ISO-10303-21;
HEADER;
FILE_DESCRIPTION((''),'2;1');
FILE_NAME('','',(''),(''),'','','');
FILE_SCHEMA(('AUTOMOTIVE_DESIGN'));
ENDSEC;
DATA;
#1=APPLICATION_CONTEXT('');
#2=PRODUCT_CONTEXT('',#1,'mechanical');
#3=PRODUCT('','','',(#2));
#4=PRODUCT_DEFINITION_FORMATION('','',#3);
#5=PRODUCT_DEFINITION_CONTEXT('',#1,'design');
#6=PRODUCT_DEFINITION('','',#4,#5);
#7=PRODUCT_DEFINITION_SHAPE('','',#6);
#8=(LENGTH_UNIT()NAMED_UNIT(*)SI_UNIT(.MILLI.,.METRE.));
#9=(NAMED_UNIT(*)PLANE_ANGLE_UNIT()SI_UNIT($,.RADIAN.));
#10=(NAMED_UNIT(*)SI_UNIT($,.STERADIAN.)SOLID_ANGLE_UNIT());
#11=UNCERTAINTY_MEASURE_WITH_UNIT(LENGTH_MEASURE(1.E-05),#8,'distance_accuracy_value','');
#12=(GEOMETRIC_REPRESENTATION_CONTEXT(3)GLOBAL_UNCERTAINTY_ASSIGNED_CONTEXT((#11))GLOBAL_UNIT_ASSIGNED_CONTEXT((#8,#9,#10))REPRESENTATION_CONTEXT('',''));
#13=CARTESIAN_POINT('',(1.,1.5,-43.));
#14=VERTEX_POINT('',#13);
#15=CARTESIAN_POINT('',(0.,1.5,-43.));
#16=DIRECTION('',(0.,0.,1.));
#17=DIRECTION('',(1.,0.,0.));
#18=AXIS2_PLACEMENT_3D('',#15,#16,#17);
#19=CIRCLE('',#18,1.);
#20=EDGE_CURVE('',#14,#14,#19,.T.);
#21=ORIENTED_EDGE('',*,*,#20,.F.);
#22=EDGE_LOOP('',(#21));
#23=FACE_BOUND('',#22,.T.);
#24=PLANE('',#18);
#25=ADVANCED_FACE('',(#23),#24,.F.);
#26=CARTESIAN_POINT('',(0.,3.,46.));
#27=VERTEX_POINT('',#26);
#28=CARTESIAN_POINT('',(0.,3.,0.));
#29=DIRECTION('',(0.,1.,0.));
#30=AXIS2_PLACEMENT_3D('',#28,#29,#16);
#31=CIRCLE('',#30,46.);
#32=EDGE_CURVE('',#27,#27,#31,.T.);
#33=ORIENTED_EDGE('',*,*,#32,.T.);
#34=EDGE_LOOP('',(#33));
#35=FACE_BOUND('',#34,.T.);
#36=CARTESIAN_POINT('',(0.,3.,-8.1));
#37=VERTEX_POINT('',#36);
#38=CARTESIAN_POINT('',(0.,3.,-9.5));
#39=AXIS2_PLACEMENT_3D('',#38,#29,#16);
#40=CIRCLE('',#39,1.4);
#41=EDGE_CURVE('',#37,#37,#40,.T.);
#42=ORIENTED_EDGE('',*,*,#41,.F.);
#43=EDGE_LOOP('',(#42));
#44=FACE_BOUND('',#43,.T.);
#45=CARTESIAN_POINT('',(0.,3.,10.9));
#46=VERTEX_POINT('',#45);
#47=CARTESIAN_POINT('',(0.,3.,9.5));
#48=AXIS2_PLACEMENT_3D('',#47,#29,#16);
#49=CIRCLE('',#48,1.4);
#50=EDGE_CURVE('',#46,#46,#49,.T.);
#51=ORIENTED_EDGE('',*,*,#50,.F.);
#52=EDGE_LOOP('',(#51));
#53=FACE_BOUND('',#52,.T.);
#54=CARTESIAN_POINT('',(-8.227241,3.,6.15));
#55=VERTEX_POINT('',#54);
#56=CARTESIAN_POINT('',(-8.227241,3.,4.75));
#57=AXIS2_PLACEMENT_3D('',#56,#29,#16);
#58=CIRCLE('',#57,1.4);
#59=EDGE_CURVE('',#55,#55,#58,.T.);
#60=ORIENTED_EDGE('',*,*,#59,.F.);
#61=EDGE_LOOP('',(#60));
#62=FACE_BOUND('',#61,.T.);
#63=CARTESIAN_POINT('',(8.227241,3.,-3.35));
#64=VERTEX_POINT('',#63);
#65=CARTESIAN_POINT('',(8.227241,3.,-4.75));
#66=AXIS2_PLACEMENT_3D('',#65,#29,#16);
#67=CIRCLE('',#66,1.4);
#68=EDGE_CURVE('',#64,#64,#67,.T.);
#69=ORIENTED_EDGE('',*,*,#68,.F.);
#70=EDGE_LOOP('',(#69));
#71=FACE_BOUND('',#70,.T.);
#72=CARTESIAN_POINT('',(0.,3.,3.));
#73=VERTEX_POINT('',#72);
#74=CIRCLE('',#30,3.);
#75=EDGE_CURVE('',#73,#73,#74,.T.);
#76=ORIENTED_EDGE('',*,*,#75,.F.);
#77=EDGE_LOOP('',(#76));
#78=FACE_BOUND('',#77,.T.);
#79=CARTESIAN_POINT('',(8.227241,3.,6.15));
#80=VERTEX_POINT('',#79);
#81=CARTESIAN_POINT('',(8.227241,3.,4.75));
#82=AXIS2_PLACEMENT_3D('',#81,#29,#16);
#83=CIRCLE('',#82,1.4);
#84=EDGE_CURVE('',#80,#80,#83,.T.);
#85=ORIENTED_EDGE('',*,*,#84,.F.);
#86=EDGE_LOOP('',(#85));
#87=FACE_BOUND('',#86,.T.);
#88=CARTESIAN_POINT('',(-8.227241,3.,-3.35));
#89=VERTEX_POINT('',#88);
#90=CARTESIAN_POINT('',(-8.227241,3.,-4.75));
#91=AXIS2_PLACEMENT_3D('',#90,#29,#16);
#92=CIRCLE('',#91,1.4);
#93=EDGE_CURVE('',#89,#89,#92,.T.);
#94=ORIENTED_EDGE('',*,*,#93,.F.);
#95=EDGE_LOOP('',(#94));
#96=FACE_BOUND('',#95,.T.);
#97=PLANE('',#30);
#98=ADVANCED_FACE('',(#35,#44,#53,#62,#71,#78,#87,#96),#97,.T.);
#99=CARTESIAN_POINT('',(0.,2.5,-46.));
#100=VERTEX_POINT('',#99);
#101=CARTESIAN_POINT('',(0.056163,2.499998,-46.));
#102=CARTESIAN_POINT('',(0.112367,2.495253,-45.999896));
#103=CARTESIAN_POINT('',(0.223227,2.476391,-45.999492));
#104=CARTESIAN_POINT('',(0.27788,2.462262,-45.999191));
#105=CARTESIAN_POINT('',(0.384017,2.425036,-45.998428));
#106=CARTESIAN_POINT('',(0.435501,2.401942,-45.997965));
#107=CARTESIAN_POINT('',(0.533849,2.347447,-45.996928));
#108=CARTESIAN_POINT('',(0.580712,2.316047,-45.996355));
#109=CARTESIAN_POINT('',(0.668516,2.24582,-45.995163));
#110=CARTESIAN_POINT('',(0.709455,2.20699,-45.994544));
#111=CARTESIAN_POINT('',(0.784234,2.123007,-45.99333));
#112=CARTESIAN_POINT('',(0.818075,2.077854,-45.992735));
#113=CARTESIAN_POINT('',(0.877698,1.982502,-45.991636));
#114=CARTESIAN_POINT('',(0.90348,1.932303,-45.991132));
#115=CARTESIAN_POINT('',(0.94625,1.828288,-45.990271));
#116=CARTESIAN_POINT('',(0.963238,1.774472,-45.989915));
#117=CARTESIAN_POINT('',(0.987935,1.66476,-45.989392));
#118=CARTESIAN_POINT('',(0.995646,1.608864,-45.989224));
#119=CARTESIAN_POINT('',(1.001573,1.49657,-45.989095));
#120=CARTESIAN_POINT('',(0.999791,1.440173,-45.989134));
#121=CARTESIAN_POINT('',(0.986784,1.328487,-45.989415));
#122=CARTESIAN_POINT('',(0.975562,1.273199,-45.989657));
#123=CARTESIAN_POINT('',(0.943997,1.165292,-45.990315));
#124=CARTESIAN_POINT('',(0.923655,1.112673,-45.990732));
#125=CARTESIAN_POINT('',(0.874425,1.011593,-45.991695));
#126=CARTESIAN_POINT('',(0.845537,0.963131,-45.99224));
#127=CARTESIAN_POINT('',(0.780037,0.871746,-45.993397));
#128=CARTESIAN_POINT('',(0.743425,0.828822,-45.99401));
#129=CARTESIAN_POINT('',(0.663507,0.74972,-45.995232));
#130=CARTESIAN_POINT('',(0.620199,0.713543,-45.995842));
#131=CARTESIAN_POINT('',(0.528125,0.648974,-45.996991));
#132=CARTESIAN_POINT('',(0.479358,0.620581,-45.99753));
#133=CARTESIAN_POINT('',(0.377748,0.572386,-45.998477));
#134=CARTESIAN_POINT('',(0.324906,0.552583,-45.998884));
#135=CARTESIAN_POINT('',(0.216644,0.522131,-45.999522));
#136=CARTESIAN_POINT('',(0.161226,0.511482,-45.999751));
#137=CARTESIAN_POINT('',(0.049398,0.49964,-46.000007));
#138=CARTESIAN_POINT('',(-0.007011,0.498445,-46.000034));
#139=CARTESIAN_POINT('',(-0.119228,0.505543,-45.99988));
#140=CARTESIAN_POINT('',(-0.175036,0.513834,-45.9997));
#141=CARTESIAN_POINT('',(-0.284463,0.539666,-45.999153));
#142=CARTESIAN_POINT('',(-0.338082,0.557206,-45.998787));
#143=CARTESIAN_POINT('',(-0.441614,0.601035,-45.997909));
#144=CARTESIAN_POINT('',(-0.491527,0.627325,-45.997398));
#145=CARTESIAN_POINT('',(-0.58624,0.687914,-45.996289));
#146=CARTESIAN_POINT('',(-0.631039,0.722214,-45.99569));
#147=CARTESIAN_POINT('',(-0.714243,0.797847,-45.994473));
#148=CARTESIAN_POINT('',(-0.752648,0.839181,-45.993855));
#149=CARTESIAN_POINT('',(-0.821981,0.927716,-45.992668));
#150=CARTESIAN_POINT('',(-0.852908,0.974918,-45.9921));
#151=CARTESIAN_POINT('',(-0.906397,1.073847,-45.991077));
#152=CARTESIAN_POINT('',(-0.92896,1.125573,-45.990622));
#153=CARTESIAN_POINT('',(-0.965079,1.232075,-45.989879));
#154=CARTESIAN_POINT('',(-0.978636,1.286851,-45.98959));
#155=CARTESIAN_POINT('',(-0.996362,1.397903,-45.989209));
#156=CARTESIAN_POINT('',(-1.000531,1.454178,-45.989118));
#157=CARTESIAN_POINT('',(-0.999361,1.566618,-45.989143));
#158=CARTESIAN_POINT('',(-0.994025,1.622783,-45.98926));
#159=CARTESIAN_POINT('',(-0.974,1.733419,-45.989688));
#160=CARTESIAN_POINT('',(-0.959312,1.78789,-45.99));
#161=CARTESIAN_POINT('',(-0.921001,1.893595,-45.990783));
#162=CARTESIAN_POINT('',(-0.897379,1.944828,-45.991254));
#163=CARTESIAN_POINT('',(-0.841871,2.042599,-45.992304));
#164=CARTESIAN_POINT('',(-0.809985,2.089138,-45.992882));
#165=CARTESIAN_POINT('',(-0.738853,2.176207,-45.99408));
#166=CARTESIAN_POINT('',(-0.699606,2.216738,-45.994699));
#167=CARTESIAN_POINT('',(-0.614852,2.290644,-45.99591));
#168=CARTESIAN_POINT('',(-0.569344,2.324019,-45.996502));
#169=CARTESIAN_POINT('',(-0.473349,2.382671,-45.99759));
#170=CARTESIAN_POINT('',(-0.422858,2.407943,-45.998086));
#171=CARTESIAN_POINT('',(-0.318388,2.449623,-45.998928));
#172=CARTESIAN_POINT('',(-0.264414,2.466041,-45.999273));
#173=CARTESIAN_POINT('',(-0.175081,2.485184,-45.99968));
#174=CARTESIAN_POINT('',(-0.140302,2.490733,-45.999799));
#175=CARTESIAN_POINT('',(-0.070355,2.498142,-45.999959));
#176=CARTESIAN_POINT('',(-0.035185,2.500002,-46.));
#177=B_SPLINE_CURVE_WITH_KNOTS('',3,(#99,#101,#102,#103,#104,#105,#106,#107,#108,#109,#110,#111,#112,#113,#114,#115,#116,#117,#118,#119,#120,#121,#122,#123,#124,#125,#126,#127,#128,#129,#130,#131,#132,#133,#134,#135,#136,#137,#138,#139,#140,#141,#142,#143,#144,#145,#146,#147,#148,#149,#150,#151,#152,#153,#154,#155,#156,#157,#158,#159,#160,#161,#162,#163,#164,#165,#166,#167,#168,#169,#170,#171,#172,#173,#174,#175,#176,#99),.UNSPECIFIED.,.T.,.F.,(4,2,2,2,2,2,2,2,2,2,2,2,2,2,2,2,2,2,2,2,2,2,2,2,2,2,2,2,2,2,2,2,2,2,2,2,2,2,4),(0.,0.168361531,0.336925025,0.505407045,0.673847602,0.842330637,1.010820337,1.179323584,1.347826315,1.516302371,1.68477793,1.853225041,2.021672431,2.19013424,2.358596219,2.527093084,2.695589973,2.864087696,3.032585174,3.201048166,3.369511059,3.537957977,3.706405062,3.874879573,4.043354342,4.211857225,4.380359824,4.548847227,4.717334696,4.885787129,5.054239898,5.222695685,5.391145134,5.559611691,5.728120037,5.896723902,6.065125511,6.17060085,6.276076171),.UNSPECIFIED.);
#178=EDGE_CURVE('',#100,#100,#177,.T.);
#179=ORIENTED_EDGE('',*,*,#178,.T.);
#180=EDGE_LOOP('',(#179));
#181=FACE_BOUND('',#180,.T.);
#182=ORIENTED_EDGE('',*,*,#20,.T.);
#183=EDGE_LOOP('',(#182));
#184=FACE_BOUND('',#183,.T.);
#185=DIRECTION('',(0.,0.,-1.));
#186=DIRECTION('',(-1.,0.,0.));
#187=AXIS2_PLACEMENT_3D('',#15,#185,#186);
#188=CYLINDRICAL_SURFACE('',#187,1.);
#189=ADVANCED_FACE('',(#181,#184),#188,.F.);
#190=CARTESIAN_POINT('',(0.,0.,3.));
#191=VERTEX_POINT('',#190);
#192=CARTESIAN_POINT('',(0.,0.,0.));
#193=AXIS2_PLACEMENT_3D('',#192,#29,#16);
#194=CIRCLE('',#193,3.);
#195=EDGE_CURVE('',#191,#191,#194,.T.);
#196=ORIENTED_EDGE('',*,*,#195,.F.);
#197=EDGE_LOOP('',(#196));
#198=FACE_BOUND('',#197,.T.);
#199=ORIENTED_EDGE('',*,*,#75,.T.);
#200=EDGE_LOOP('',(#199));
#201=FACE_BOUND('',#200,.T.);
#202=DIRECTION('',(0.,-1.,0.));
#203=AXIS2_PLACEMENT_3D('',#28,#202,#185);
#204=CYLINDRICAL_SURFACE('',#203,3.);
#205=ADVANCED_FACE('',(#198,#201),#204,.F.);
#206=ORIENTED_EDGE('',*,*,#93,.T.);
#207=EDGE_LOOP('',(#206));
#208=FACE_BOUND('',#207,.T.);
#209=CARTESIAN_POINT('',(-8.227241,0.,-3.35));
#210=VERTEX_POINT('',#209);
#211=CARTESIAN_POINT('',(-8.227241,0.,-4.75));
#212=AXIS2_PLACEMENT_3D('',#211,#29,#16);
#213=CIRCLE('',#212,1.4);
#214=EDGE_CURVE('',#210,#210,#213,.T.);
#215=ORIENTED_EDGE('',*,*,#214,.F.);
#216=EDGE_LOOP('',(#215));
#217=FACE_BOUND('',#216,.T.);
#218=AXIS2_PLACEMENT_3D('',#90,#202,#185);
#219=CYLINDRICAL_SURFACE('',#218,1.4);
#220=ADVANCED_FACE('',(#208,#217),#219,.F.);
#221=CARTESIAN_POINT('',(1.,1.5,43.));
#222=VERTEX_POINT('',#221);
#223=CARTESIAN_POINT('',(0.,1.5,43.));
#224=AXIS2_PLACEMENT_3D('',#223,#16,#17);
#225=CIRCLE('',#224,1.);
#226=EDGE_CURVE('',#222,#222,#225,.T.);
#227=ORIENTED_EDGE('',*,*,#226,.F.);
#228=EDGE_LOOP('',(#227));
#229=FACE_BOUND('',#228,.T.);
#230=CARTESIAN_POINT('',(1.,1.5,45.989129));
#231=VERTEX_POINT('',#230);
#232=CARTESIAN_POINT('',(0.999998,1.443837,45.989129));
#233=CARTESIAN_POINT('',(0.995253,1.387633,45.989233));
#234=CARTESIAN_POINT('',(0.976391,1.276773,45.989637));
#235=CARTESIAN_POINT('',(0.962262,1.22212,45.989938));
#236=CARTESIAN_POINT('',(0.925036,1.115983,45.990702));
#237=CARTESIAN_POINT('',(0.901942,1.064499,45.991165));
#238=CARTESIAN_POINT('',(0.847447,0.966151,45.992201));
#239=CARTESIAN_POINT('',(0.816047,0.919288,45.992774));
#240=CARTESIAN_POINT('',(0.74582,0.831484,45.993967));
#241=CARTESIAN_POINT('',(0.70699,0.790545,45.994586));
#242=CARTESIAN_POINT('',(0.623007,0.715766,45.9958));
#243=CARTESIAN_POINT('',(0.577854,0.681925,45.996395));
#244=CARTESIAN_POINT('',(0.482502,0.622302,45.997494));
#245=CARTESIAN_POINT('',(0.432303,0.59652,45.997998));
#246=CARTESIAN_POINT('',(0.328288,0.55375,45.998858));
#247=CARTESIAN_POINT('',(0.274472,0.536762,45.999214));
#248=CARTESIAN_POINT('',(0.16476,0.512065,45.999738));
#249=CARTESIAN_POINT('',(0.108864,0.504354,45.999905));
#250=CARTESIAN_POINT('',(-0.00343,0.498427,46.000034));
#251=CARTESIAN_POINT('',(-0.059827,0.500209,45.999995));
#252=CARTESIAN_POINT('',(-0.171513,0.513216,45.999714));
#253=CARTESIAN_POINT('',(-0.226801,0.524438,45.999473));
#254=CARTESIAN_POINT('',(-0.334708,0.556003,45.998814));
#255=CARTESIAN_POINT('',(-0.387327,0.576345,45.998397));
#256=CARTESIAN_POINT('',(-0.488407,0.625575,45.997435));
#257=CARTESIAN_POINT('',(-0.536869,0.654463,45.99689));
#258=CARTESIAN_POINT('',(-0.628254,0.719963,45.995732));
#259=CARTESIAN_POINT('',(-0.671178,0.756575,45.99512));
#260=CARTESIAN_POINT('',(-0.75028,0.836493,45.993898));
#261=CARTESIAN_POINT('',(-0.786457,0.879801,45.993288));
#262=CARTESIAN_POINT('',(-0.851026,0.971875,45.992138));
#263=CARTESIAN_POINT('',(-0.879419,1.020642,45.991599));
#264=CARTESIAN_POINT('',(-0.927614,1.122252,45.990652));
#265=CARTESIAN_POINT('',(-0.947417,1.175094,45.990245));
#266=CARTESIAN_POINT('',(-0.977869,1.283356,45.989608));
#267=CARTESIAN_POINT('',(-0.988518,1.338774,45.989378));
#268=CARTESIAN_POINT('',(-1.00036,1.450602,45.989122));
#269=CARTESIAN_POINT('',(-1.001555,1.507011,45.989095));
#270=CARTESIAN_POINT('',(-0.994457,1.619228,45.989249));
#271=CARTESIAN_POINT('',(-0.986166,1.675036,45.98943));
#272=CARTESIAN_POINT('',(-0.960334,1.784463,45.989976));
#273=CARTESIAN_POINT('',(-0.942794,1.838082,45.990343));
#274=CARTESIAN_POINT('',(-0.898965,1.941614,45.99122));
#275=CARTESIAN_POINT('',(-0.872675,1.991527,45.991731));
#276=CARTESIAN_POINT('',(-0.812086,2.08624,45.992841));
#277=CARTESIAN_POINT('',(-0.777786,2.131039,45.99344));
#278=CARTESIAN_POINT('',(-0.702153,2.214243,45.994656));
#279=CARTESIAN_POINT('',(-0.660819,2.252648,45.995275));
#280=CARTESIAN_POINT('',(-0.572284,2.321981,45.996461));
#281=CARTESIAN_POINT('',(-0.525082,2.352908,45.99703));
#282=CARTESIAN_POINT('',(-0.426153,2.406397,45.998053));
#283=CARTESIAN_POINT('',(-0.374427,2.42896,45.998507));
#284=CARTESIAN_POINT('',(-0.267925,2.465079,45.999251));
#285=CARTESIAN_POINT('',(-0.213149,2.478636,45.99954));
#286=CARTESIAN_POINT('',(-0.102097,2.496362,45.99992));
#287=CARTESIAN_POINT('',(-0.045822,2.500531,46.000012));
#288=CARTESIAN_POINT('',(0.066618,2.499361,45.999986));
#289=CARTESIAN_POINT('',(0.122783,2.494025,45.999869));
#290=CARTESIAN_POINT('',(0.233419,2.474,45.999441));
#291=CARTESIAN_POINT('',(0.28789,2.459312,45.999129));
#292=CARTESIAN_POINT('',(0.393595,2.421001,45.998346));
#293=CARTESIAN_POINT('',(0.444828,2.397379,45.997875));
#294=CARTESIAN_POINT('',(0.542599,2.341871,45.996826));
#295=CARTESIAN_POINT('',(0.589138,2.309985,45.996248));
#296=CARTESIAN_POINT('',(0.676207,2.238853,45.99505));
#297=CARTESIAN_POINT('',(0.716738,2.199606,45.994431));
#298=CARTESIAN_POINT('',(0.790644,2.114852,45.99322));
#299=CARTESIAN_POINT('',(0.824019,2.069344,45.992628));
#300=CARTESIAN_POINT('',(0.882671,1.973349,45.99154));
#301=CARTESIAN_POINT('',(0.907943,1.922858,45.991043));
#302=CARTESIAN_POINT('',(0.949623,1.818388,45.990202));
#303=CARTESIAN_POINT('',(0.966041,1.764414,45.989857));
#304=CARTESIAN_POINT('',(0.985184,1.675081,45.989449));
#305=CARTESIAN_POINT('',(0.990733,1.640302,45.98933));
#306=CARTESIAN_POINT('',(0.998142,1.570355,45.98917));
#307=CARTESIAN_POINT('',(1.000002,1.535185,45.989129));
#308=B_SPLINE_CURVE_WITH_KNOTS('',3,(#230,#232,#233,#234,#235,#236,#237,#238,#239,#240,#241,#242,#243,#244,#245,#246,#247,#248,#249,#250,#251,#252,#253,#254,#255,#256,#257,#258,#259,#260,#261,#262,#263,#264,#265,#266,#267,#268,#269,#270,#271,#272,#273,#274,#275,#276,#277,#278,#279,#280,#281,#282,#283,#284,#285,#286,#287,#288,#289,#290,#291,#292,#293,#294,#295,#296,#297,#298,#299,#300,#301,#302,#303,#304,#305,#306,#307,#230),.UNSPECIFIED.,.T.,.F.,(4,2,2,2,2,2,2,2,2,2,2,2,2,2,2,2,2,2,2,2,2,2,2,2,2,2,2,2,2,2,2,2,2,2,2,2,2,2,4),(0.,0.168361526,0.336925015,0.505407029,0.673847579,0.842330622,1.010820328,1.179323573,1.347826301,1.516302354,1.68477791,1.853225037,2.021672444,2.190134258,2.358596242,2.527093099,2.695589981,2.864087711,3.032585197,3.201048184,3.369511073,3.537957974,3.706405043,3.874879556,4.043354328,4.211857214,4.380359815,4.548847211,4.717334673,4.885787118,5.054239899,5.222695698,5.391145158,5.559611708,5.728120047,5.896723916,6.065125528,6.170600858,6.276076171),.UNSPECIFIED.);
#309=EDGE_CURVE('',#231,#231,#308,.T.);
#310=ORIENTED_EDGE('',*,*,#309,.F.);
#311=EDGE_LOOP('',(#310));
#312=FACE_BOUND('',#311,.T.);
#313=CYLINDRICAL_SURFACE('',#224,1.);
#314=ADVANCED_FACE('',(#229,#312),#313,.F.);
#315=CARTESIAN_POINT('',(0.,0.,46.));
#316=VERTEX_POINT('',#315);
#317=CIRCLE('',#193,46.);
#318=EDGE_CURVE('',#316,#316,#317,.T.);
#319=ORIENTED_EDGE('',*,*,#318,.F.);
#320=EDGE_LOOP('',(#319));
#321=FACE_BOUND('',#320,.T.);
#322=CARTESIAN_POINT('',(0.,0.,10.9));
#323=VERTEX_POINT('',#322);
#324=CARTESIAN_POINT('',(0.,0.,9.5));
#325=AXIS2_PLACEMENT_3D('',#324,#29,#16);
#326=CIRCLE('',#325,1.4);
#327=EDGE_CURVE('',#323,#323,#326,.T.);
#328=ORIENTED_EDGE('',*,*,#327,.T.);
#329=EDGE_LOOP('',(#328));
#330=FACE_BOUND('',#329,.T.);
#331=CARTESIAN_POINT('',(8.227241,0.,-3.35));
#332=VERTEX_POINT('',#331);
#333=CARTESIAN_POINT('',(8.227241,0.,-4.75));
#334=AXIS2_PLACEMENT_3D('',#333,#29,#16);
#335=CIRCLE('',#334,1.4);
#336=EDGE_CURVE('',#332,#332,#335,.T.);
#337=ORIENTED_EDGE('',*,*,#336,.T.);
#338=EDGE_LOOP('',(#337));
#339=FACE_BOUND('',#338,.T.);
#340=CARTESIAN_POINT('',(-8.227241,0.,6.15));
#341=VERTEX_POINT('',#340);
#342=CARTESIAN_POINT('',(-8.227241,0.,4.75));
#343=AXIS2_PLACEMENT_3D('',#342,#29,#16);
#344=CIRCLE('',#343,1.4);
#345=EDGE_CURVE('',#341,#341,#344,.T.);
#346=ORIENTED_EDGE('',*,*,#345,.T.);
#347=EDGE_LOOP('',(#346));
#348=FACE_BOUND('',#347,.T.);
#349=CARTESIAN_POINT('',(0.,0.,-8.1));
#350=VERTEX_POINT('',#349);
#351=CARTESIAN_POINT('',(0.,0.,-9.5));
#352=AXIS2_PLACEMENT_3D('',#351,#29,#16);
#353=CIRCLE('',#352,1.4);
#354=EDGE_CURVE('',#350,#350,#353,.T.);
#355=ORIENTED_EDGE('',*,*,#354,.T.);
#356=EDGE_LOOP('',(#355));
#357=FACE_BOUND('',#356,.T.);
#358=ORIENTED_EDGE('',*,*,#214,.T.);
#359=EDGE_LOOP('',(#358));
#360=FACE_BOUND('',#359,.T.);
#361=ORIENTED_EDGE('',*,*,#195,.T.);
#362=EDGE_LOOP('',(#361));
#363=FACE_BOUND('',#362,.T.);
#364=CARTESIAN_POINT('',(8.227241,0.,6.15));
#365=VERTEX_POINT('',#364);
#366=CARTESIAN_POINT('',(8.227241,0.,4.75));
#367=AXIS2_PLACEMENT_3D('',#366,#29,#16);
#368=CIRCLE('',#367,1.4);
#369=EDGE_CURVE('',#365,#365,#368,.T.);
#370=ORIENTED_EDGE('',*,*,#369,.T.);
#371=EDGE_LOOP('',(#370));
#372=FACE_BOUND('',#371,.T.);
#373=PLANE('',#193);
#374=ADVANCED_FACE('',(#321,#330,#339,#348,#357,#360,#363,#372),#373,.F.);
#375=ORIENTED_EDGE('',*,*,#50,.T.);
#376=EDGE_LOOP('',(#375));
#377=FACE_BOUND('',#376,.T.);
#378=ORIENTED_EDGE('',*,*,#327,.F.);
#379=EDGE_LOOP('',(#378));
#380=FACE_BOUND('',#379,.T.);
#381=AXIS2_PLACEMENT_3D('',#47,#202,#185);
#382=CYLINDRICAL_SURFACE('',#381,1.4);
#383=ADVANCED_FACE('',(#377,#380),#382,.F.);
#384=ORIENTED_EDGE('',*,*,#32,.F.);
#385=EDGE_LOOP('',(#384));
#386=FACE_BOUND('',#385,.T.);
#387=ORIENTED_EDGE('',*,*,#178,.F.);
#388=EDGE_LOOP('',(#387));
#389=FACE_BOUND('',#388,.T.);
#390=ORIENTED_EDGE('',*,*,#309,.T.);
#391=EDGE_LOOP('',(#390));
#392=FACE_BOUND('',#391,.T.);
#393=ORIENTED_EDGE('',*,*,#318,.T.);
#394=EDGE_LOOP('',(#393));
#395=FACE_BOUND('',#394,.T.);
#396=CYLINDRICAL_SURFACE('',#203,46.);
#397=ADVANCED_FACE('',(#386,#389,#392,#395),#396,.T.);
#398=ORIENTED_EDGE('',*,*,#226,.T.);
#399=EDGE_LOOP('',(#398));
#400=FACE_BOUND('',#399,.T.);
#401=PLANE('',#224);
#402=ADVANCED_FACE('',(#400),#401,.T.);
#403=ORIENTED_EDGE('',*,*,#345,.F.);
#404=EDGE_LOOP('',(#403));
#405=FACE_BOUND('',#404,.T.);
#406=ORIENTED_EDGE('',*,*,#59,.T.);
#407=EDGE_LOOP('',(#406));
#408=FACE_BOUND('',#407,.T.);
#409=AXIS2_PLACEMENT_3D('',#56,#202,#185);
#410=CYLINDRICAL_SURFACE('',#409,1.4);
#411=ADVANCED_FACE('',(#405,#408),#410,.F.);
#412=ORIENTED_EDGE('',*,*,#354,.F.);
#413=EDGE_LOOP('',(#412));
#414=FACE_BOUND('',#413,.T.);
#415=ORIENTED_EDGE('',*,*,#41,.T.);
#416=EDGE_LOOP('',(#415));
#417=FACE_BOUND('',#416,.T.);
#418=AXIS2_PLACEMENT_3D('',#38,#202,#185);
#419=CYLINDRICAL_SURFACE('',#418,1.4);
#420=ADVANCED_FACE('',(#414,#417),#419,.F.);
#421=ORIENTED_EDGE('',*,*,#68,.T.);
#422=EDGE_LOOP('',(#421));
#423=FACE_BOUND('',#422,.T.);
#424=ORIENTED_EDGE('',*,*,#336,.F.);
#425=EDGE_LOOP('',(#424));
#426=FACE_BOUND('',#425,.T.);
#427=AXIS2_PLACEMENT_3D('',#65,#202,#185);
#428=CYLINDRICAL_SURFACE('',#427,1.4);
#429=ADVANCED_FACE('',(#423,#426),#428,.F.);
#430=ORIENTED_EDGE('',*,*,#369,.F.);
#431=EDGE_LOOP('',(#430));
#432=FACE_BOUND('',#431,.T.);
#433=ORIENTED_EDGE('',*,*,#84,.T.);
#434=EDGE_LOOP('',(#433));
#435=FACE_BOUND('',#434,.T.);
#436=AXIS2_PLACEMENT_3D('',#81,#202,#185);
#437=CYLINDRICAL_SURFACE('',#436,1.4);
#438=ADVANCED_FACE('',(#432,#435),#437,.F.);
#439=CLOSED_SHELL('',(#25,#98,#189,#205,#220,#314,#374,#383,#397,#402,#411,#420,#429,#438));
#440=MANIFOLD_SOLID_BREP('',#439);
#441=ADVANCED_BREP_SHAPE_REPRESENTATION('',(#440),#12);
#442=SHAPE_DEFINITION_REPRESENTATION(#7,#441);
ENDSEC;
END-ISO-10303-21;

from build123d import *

# Parameters (mm, degrees)
SKETCH1_R           = 46
SKETCH1_R_2         = 3
SKETCH1_R_3         = 1.4
BOSS_EXTRUDE1_DEPTH = 3
SKETCH5_R           = 1
CUT_EXTRUDE1_DEPTH  = 3
SKETCH6_R           = 1
CUT_EXTRUDE2_DEPTH  = 3


with BuildPart() as part:
    # Sketch1 → Boss-Extrude1 (new body)
    with BuildSketch(Plane(origin=(0, 0, 0), x_dir=(1, 0, 0), z_dir=(0, 1, 0))):
        Circle(SKETCH1_R)
        Circle(SKETCH1_R_2, mode=Mode.SUBTRACT)
        with Locations((0, 9.5)):
            Circle(SKETCH1_R_3, mode=Mode.SUBTRACT)
        with Locations((8.227241336, 4.75)):
            Circle(SKETCH1_R_3, mode=Mode.SUBTRACT)
        with Locations((8.227241336, -4.75)):
            Circle(SKETCH1_R_3, mode=Mode.SUBTRACT)
        with Locations((0, -9.5)):
            Circle(SKETCH1_R_3, mode=Mode.SUBTRACT)
        with Locations((-8.227241336, -4.75)):
            Circle(SKETCH1_R_3, mode=Mode.SUBTRACT)
        with Locations((-8.227241336, 4.75)):
            Circle(SKETCH1_R_3, mode=Mode.SUBTRACT)
    extrude(amount=BOSS_EXTRUDE1_DEPTH)

    # Sketch5 → Cut-Extrude1 (cut)
    with BuildSketch(Plane.XY.offset(46)):
        with Locations((0, 1.5)):
            Circle(SKETCH5_R)
    extrude(amount=-CUT_EXTRUDE1_DEPTH, mode=Mode.SUBTRACT)

    # Sketch6 → Cut-Extrude2 (cut)
    with BuildSketch(Plane.XY.offset(-46)):
        with Locations((0, 1.5)):
            Circle(SKETCH6_R)
    extrude(amount=CUT_EXTRUDE2_DEPTH, mode=Mode.SUBTRACT)


solid = part.part
